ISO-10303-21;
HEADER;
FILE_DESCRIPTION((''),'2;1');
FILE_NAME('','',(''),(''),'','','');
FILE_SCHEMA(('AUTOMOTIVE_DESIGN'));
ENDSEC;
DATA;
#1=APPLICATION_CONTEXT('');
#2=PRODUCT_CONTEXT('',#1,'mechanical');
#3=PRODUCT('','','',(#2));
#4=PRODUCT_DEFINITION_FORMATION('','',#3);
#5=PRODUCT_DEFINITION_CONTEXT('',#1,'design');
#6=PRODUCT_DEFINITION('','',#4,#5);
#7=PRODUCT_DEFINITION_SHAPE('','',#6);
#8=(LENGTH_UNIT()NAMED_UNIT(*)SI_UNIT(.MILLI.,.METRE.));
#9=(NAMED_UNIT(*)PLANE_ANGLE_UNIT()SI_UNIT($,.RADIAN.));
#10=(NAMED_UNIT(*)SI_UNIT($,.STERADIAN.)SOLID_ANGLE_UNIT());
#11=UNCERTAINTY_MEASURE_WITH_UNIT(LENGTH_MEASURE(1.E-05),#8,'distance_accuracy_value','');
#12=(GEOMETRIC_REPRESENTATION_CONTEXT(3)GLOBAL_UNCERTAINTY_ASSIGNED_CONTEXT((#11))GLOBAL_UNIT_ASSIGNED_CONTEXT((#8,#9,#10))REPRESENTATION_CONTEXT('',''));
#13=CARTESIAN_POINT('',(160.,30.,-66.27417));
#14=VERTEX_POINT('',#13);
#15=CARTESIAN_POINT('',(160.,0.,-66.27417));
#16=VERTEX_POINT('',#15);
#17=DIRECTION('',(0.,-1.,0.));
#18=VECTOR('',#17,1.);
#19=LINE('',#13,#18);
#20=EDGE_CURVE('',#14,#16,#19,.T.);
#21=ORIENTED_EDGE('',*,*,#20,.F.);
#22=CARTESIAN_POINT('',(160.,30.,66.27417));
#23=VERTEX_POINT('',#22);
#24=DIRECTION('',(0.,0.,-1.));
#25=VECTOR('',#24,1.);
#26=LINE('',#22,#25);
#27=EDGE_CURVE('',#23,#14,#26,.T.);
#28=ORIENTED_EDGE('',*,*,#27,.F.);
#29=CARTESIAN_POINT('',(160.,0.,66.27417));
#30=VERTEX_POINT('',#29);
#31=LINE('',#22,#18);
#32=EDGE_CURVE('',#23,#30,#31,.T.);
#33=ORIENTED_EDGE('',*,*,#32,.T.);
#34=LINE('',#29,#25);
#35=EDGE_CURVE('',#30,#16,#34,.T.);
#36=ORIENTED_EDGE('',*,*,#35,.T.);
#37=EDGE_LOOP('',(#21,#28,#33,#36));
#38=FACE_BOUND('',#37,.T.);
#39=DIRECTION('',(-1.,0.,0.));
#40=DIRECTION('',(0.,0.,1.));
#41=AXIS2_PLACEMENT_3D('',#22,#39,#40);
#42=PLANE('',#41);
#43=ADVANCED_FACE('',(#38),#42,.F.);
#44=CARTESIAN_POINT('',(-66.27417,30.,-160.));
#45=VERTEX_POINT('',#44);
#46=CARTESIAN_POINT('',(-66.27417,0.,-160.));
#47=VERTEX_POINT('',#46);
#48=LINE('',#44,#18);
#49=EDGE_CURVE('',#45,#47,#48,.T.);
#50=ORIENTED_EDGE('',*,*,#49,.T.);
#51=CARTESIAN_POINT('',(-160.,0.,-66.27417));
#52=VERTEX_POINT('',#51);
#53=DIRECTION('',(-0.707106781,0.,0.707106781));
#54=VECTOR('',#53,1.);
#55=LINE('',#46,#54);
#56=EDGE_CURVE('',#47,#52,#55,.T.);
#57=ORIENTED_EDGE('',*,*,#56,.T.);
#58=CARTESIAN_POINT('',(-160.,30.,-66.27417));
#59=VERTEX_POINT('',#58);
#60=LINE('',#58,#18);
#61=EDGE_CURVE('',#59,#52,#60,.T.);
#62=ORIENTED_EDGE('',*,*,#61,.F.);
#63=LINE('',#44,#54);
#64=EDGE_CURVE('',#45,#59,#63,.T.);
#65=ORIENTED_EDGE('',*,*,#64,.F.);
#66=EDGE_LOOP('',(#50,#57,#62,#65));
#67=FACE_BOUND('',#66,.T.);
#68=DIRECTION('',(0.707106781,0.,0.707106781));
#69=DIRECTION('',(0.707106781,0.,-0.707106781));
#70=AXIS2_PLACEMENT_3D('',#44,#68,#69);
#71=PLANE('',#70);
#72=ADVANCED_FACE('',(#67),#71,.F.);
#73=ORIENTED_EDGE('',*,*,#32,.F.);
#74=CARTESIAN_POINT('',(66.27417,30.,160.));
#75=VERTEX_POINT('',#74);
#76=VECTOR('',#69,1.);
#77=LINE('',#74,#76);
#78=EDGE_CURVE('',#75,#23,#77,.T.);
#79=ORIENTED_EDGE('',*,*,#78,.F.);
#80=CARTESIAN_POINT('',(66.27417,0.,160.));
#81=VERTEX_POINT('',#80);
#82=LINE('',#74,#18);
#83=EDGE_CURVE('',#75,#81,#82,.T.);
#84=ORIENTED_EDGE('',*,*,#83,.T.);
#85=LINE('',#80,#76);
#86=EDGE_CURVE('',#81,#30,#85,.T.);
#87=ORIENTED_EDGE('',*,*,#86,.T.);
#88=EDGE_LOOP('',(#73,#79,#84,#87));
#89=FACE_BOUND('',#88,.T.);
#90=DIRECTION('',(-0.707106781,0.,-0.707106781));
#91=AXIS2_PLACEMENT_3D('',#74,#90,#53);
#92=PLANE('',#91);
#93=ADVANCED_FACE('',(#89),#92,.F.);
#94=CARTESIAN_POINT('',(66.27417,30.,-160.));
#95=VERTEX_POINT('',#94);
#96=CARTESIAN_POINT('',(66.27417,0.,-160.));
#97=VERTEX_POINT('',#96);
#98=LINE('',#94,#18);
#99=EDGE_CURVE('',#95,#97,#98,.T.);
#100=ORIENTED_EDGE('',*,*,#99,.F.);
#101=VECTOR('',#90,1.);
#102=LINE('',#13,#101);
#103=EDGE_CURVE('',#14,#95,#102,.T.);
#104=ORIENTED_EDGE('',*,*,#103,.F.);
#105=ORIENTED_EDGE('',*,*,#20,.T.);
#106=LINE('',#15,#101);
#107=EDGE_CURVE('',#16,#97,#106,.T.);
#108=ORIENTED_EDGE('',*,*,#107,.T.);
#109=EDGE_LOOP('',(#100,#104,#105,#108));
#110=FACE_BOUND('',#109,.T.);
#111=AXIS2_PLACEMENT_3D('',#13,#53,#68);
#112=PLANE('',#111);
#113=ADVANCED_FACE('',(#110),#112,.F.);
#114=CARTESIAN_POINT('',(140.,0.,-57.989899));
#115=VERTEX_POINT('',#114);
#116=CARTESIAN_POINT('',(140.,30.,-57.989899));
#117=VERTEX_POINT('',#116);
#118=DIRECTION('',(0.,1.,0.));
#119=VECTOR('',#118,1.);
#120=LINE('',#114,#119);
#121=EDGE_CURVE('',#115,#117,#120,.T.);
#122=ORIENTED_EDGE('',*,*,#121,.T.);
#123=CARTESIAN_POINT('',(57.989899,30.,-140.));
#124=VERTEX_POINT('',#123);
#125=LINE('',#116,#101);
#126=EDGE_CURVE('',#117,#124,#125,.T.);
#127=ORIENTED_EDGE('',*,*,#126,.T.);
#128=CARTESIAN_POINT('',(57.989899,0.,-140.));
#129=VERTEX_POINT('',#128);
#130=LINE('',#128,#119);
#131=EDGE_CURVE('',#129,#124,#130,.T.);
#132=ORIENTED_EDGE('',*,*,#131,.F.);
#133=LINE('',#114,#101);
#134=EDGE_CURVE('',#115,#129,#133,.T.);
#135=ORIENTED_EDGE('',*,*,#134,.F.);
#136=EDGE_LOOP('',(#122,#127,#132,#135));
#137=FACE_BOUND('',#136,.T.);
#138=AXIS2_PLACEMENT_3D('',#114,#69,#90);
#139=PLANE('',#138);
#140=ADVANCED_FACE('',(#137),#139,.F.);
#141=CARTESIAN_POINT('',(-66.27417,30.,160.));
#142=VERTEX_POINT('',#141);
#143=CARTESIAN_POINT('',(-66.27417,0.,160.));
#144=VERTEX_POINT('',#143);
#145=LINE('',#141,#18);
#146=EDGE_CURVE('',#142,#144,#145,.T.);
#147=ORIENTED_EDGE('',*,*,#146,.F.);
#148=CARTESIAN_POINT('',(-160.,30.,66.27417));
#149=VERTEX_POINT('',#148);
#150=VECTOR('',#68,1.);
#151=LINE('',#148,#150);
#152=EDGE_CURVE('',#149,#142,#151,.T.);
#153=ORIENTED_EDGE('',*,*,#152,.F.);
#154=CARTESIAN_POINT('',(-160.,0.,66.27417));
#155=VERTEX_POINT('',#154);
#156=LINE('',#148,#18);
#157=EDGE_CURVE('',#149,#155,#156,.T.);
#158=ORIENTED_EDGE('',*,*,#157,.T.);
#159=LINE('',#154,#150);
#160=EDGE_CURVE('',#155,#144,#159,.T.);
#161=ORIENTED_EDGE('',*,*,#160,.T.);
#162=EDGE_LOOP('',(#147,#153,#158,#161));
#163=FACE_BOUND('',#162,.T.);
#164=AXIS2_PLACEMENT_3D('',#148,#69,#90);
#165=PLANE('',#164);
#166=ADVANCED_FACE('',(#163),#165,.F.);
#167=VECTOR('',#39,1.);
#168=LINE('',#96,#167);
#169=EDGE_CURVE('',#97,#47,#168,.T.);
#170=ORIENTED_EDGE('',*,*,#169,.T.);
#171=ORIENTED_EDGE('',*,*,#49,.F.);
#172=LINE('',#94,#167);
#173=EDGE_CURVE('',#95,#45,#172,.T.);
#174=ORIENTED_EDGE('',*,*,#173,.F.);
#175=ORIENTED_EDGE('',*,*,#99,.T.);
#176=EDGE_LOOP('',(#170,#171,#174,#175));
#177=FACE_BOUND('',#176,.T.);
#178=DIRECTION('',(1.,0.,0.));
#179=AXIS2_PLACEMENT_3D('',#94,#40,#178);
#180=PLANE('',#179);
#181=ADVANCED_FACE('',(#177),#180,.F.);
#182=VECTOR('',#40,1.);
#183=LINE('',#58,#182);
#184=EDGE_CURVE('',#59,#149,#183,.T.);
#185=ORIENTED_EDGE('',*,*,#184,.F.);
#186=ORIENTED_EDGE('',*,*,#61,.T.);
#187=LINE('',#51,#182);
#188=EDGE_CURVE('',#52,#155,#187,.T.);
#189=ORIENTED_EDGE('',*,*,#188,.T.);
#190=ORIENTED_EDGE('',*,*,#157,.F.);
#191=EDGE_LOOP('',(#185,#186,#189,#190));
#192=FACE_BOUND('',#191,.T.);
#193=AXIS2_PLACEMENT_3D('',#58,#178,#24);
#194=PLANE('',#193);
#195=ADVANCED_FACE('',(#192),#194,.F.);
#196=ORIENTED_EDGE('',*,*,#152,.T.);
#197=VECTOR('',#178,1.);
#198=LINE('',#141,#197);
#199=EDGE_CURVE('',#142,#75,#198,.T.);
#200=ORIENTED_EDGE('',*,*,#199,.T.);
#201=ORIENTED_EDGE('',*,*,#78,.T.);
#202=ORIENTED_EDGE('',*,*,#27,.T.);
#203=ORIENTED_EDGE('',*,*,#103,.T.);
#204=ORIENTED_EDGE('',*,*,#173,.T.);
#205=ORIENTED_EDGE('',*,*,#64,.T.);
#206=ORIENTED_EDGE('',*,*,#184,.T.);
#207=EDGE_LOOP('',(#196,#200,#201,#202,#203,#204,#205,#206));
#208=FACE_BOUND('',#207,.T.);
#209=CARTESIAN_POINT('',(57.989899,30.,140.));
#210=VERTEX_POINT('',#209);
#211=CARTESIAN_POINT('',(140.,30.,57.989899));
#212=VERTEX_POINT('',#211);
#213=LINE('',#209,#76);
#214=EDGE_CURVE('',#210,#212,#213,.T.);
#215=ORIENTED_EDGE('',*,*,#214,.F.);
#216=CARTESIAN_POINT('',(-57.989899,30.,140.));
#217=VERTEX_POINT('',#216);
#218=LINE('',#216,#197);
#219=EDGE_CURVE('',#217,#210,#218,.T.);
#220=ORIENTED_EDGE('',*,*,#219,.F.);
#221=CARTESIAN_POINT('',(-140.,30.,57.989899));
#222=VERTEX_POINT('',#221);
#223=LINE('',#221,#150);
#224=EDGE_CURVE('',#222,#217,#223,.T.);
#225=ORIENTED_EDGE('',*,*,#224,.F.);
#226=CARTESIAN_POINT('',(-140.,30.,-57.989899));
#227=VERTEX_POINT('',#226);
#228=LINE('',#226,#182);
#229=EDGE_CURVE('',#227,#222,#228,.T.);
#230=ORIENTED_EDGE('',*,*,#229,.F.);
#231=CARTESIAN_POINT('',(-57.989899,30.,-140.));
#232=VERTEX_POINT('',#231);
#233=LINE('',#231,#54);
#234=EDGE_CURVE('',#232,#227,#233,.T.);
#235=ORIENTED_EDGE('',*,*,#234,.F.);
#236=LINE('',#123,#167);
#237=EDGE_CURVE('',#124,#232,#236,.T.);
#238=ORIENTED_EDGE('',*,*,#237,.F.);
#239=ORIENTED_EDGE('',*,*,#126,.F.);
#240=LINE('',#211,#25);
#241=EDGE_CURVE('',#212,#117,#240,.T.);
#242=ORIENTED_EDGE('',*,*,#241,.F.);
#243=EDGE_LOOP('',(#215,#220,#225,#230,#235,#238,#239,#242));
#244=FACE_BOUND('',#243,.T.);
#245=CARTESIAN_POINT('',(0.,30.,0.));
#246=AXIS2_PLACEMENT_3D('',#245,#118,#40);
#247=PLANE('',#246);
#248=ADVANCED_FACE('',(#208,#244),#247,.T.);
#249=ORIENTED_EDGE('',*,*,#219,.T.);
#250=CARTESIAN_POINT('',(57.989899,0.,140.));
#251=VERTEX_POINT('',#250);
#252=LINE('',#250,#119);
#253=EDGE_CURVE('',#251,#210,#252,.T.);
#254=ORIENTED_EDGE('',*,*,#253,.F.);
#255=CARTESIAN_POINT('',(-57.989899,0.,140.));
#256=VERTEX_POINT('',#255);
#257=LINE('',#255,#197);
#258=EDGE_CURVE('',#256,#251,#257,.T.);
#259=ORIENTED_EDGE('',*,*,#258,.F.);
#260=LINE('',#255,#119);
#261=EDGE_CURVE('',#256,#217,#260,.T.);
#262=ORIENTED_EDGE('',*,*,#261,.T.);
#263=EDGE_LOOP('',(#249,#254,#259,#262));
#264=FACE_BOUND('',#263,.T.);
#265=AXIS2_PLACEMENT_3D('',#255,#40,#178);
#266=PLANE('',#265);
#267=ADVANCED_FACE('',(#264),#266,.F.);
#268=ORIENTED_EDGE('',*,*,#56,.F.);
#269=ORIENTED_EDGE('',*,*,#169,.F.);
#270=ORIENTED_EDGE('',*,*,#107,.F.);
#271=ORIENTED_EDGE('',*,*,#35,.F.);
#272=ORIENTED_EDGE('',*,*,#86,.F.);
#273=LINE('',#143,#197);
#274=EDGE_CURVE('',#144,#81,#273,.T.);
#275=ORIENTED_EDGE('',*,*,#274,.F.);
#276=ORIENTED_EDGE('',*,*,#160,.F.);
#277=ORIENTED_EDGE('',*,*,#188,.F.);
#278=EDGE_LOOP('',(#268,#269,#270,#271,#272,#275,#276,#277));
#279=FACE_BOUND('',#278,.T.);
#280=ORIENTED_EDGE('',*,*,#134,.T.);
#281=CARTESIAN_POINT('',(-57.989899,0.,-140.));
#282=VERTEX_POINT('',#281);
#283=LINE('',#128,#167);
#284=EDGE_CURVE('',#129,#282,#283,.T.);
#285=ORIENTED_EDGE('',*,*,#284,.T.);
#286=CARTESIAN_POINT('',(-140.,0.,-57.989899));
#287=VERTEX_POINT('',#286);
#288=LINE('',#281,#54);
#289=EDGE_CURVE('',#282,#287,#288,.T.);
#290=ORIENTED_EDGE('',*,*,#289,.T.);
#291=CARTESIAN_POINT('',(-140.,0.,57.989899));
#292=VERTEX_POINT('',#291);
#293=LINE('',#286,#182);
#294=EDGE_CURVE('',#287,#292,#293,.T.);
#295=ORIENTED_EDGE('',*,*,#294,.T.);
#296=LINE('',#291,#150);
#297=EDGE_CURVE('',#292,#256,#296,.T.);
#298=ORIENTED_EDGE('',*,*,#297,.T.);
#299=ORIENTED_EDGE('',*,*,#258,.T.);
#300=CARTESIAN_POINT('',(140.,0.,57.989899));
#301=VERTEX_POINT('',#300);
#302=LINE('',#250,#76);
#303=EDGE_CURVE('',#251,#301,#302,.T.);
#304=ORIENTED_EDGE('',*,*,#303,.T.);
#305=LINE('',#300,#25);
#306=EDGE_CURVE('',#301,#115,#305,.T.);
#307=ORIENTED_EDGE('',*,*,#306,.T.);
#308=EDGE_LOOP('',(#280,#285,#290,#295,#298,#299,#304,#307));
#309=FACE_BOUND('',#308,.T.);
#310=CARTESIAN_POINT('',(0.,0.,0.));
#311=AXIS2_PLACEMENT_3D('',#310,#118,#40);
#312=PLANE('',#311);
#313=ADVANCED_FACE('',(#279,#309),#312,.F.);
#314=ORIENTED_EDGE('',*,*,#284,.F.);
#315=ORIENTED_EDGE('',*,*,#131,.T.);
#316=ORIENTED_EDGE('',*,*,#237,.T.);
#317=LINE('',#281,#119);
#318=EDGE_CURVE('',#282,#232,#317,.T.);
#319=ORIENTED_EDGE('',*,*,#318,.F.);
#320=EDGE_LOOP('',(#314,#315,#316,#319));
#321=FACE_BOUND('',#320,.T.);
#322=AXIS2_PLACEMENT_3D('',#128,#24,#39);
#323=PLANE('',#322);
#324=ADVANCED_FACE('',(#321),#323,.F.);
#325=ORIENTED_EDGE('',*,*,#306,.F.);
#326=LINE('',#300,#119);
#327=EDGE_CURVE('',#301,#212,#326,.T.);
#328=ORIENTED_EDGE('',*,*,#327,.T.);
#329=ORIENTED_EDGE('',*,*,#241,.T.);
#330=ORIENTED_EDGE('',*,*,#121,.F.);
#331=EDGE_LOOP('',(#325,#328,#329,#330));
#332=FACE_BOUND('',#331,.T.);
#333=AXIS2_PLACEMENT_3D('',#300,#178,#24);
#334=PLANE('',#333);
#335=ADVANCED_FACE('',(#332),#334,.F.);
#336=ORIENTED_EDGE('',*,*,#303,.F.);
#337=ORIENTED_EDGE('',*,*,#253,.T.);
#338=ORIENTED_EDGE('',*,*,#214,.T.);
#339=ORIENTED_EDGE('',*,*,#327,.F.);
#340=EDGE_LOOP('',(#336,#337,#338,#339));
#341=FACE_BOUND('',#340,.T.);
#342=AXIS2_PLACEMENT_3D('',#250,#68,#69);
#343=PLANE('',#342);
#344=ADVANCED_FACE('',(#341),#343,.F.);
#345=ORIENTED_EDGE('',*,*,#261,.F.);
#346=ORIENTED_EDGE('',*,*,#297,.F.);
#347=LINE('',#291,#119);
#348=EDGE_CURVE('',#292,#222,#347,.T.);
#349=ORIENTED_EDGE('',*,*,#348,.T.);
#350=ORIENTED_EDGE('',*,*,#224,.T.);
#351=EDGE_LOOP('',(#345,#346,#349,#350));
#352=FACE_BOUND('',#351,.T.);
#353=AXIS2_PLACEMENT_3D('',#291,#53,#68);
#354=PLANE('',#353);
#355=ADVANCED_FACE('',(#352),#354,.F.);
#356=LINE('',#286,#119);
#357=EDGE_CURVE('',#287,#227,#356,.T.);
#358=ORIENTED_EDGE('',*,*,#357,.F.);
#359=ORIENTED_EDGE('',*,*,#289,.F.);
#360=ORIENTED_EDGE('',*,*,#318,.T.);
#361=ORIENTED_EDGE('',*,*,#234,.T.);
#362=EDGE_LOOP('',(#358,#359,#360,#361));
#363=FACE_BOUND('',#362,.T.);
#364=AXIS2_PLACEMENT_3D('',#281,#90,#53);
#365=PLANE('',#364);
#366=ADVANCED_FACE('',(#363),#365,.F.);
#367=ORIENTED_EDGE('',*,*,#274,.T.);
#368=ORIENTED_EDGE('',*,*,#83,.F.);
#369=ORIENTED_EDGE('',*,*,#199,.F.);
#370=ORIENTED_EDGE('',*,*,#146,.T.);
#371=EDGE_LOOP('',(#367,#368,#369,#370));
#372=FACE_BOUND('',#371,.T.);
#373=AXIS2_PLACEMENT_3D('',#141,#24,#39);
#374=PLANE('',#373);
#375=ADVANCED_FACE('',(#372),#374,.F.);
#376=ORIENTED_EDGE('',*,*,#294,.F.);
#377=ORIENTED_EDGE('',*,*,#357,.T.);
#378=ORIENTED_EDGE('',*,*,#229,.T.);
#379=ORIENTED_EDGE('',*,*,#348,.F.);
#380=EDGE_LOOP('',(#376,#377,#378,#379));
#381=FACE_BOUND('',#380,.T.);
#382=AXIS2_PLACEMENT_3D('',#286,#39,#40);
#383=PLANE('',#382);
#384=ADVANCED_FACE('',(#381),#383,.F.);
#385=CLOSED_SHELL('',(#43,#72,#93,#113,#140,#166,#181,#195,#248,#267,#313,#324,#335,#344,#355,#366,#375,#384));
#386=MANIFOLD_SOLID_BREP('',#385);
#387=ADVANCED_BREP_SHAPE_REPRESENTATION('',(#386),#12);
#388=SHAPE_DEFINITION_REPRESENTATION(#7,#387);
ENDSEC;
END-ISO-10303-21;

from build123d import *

# Parameters (mm, degrees)
RESSALTO_EXTRUS_O1_DEPTH = 30
CORTE_EXTRUS_O1_DEPTH    = 30


with BuildPart() as part:
    # Esboço1 → Ressalto-extrusão1 (new body)
    with BuildSketch(Plane(origin=(0, 0, 0), x_dir=(1, 0, 0), z_dir=(0, 1, 0))):
        Polygon((160, 66.27416998), (66.27416998, 160), (-66.27416998, 160), (-160, 66.27416998), (-160, -66.27416998), (-66.27416998, -160), (66.27416998, -160), (160, -66.27416998), align=None)
    extrude(amount=RESSALTO_EXTRUS_O1_DEPTH)

    # Esboço2 → Corte-extrusão1 (cut)
    with BuildSketch(Plane(origin=(0, 30, 0), x_dir=(1, 0, 0), z_dir=(0, 1, 0))):
        Polygon((140, 57.989898732), (57.989898732, 140), (-57.989898732, 140), (-140, 57.989898732), (-140, -57.989898732), (-57.989898732, -140), (57.989898732, -140), (140, -57.989898732), align=None)
    extrude(amount=-CORTE_EXTRUS_O1_DEPTH, mode=Mode.SUBTRACT)


solid = part.part
